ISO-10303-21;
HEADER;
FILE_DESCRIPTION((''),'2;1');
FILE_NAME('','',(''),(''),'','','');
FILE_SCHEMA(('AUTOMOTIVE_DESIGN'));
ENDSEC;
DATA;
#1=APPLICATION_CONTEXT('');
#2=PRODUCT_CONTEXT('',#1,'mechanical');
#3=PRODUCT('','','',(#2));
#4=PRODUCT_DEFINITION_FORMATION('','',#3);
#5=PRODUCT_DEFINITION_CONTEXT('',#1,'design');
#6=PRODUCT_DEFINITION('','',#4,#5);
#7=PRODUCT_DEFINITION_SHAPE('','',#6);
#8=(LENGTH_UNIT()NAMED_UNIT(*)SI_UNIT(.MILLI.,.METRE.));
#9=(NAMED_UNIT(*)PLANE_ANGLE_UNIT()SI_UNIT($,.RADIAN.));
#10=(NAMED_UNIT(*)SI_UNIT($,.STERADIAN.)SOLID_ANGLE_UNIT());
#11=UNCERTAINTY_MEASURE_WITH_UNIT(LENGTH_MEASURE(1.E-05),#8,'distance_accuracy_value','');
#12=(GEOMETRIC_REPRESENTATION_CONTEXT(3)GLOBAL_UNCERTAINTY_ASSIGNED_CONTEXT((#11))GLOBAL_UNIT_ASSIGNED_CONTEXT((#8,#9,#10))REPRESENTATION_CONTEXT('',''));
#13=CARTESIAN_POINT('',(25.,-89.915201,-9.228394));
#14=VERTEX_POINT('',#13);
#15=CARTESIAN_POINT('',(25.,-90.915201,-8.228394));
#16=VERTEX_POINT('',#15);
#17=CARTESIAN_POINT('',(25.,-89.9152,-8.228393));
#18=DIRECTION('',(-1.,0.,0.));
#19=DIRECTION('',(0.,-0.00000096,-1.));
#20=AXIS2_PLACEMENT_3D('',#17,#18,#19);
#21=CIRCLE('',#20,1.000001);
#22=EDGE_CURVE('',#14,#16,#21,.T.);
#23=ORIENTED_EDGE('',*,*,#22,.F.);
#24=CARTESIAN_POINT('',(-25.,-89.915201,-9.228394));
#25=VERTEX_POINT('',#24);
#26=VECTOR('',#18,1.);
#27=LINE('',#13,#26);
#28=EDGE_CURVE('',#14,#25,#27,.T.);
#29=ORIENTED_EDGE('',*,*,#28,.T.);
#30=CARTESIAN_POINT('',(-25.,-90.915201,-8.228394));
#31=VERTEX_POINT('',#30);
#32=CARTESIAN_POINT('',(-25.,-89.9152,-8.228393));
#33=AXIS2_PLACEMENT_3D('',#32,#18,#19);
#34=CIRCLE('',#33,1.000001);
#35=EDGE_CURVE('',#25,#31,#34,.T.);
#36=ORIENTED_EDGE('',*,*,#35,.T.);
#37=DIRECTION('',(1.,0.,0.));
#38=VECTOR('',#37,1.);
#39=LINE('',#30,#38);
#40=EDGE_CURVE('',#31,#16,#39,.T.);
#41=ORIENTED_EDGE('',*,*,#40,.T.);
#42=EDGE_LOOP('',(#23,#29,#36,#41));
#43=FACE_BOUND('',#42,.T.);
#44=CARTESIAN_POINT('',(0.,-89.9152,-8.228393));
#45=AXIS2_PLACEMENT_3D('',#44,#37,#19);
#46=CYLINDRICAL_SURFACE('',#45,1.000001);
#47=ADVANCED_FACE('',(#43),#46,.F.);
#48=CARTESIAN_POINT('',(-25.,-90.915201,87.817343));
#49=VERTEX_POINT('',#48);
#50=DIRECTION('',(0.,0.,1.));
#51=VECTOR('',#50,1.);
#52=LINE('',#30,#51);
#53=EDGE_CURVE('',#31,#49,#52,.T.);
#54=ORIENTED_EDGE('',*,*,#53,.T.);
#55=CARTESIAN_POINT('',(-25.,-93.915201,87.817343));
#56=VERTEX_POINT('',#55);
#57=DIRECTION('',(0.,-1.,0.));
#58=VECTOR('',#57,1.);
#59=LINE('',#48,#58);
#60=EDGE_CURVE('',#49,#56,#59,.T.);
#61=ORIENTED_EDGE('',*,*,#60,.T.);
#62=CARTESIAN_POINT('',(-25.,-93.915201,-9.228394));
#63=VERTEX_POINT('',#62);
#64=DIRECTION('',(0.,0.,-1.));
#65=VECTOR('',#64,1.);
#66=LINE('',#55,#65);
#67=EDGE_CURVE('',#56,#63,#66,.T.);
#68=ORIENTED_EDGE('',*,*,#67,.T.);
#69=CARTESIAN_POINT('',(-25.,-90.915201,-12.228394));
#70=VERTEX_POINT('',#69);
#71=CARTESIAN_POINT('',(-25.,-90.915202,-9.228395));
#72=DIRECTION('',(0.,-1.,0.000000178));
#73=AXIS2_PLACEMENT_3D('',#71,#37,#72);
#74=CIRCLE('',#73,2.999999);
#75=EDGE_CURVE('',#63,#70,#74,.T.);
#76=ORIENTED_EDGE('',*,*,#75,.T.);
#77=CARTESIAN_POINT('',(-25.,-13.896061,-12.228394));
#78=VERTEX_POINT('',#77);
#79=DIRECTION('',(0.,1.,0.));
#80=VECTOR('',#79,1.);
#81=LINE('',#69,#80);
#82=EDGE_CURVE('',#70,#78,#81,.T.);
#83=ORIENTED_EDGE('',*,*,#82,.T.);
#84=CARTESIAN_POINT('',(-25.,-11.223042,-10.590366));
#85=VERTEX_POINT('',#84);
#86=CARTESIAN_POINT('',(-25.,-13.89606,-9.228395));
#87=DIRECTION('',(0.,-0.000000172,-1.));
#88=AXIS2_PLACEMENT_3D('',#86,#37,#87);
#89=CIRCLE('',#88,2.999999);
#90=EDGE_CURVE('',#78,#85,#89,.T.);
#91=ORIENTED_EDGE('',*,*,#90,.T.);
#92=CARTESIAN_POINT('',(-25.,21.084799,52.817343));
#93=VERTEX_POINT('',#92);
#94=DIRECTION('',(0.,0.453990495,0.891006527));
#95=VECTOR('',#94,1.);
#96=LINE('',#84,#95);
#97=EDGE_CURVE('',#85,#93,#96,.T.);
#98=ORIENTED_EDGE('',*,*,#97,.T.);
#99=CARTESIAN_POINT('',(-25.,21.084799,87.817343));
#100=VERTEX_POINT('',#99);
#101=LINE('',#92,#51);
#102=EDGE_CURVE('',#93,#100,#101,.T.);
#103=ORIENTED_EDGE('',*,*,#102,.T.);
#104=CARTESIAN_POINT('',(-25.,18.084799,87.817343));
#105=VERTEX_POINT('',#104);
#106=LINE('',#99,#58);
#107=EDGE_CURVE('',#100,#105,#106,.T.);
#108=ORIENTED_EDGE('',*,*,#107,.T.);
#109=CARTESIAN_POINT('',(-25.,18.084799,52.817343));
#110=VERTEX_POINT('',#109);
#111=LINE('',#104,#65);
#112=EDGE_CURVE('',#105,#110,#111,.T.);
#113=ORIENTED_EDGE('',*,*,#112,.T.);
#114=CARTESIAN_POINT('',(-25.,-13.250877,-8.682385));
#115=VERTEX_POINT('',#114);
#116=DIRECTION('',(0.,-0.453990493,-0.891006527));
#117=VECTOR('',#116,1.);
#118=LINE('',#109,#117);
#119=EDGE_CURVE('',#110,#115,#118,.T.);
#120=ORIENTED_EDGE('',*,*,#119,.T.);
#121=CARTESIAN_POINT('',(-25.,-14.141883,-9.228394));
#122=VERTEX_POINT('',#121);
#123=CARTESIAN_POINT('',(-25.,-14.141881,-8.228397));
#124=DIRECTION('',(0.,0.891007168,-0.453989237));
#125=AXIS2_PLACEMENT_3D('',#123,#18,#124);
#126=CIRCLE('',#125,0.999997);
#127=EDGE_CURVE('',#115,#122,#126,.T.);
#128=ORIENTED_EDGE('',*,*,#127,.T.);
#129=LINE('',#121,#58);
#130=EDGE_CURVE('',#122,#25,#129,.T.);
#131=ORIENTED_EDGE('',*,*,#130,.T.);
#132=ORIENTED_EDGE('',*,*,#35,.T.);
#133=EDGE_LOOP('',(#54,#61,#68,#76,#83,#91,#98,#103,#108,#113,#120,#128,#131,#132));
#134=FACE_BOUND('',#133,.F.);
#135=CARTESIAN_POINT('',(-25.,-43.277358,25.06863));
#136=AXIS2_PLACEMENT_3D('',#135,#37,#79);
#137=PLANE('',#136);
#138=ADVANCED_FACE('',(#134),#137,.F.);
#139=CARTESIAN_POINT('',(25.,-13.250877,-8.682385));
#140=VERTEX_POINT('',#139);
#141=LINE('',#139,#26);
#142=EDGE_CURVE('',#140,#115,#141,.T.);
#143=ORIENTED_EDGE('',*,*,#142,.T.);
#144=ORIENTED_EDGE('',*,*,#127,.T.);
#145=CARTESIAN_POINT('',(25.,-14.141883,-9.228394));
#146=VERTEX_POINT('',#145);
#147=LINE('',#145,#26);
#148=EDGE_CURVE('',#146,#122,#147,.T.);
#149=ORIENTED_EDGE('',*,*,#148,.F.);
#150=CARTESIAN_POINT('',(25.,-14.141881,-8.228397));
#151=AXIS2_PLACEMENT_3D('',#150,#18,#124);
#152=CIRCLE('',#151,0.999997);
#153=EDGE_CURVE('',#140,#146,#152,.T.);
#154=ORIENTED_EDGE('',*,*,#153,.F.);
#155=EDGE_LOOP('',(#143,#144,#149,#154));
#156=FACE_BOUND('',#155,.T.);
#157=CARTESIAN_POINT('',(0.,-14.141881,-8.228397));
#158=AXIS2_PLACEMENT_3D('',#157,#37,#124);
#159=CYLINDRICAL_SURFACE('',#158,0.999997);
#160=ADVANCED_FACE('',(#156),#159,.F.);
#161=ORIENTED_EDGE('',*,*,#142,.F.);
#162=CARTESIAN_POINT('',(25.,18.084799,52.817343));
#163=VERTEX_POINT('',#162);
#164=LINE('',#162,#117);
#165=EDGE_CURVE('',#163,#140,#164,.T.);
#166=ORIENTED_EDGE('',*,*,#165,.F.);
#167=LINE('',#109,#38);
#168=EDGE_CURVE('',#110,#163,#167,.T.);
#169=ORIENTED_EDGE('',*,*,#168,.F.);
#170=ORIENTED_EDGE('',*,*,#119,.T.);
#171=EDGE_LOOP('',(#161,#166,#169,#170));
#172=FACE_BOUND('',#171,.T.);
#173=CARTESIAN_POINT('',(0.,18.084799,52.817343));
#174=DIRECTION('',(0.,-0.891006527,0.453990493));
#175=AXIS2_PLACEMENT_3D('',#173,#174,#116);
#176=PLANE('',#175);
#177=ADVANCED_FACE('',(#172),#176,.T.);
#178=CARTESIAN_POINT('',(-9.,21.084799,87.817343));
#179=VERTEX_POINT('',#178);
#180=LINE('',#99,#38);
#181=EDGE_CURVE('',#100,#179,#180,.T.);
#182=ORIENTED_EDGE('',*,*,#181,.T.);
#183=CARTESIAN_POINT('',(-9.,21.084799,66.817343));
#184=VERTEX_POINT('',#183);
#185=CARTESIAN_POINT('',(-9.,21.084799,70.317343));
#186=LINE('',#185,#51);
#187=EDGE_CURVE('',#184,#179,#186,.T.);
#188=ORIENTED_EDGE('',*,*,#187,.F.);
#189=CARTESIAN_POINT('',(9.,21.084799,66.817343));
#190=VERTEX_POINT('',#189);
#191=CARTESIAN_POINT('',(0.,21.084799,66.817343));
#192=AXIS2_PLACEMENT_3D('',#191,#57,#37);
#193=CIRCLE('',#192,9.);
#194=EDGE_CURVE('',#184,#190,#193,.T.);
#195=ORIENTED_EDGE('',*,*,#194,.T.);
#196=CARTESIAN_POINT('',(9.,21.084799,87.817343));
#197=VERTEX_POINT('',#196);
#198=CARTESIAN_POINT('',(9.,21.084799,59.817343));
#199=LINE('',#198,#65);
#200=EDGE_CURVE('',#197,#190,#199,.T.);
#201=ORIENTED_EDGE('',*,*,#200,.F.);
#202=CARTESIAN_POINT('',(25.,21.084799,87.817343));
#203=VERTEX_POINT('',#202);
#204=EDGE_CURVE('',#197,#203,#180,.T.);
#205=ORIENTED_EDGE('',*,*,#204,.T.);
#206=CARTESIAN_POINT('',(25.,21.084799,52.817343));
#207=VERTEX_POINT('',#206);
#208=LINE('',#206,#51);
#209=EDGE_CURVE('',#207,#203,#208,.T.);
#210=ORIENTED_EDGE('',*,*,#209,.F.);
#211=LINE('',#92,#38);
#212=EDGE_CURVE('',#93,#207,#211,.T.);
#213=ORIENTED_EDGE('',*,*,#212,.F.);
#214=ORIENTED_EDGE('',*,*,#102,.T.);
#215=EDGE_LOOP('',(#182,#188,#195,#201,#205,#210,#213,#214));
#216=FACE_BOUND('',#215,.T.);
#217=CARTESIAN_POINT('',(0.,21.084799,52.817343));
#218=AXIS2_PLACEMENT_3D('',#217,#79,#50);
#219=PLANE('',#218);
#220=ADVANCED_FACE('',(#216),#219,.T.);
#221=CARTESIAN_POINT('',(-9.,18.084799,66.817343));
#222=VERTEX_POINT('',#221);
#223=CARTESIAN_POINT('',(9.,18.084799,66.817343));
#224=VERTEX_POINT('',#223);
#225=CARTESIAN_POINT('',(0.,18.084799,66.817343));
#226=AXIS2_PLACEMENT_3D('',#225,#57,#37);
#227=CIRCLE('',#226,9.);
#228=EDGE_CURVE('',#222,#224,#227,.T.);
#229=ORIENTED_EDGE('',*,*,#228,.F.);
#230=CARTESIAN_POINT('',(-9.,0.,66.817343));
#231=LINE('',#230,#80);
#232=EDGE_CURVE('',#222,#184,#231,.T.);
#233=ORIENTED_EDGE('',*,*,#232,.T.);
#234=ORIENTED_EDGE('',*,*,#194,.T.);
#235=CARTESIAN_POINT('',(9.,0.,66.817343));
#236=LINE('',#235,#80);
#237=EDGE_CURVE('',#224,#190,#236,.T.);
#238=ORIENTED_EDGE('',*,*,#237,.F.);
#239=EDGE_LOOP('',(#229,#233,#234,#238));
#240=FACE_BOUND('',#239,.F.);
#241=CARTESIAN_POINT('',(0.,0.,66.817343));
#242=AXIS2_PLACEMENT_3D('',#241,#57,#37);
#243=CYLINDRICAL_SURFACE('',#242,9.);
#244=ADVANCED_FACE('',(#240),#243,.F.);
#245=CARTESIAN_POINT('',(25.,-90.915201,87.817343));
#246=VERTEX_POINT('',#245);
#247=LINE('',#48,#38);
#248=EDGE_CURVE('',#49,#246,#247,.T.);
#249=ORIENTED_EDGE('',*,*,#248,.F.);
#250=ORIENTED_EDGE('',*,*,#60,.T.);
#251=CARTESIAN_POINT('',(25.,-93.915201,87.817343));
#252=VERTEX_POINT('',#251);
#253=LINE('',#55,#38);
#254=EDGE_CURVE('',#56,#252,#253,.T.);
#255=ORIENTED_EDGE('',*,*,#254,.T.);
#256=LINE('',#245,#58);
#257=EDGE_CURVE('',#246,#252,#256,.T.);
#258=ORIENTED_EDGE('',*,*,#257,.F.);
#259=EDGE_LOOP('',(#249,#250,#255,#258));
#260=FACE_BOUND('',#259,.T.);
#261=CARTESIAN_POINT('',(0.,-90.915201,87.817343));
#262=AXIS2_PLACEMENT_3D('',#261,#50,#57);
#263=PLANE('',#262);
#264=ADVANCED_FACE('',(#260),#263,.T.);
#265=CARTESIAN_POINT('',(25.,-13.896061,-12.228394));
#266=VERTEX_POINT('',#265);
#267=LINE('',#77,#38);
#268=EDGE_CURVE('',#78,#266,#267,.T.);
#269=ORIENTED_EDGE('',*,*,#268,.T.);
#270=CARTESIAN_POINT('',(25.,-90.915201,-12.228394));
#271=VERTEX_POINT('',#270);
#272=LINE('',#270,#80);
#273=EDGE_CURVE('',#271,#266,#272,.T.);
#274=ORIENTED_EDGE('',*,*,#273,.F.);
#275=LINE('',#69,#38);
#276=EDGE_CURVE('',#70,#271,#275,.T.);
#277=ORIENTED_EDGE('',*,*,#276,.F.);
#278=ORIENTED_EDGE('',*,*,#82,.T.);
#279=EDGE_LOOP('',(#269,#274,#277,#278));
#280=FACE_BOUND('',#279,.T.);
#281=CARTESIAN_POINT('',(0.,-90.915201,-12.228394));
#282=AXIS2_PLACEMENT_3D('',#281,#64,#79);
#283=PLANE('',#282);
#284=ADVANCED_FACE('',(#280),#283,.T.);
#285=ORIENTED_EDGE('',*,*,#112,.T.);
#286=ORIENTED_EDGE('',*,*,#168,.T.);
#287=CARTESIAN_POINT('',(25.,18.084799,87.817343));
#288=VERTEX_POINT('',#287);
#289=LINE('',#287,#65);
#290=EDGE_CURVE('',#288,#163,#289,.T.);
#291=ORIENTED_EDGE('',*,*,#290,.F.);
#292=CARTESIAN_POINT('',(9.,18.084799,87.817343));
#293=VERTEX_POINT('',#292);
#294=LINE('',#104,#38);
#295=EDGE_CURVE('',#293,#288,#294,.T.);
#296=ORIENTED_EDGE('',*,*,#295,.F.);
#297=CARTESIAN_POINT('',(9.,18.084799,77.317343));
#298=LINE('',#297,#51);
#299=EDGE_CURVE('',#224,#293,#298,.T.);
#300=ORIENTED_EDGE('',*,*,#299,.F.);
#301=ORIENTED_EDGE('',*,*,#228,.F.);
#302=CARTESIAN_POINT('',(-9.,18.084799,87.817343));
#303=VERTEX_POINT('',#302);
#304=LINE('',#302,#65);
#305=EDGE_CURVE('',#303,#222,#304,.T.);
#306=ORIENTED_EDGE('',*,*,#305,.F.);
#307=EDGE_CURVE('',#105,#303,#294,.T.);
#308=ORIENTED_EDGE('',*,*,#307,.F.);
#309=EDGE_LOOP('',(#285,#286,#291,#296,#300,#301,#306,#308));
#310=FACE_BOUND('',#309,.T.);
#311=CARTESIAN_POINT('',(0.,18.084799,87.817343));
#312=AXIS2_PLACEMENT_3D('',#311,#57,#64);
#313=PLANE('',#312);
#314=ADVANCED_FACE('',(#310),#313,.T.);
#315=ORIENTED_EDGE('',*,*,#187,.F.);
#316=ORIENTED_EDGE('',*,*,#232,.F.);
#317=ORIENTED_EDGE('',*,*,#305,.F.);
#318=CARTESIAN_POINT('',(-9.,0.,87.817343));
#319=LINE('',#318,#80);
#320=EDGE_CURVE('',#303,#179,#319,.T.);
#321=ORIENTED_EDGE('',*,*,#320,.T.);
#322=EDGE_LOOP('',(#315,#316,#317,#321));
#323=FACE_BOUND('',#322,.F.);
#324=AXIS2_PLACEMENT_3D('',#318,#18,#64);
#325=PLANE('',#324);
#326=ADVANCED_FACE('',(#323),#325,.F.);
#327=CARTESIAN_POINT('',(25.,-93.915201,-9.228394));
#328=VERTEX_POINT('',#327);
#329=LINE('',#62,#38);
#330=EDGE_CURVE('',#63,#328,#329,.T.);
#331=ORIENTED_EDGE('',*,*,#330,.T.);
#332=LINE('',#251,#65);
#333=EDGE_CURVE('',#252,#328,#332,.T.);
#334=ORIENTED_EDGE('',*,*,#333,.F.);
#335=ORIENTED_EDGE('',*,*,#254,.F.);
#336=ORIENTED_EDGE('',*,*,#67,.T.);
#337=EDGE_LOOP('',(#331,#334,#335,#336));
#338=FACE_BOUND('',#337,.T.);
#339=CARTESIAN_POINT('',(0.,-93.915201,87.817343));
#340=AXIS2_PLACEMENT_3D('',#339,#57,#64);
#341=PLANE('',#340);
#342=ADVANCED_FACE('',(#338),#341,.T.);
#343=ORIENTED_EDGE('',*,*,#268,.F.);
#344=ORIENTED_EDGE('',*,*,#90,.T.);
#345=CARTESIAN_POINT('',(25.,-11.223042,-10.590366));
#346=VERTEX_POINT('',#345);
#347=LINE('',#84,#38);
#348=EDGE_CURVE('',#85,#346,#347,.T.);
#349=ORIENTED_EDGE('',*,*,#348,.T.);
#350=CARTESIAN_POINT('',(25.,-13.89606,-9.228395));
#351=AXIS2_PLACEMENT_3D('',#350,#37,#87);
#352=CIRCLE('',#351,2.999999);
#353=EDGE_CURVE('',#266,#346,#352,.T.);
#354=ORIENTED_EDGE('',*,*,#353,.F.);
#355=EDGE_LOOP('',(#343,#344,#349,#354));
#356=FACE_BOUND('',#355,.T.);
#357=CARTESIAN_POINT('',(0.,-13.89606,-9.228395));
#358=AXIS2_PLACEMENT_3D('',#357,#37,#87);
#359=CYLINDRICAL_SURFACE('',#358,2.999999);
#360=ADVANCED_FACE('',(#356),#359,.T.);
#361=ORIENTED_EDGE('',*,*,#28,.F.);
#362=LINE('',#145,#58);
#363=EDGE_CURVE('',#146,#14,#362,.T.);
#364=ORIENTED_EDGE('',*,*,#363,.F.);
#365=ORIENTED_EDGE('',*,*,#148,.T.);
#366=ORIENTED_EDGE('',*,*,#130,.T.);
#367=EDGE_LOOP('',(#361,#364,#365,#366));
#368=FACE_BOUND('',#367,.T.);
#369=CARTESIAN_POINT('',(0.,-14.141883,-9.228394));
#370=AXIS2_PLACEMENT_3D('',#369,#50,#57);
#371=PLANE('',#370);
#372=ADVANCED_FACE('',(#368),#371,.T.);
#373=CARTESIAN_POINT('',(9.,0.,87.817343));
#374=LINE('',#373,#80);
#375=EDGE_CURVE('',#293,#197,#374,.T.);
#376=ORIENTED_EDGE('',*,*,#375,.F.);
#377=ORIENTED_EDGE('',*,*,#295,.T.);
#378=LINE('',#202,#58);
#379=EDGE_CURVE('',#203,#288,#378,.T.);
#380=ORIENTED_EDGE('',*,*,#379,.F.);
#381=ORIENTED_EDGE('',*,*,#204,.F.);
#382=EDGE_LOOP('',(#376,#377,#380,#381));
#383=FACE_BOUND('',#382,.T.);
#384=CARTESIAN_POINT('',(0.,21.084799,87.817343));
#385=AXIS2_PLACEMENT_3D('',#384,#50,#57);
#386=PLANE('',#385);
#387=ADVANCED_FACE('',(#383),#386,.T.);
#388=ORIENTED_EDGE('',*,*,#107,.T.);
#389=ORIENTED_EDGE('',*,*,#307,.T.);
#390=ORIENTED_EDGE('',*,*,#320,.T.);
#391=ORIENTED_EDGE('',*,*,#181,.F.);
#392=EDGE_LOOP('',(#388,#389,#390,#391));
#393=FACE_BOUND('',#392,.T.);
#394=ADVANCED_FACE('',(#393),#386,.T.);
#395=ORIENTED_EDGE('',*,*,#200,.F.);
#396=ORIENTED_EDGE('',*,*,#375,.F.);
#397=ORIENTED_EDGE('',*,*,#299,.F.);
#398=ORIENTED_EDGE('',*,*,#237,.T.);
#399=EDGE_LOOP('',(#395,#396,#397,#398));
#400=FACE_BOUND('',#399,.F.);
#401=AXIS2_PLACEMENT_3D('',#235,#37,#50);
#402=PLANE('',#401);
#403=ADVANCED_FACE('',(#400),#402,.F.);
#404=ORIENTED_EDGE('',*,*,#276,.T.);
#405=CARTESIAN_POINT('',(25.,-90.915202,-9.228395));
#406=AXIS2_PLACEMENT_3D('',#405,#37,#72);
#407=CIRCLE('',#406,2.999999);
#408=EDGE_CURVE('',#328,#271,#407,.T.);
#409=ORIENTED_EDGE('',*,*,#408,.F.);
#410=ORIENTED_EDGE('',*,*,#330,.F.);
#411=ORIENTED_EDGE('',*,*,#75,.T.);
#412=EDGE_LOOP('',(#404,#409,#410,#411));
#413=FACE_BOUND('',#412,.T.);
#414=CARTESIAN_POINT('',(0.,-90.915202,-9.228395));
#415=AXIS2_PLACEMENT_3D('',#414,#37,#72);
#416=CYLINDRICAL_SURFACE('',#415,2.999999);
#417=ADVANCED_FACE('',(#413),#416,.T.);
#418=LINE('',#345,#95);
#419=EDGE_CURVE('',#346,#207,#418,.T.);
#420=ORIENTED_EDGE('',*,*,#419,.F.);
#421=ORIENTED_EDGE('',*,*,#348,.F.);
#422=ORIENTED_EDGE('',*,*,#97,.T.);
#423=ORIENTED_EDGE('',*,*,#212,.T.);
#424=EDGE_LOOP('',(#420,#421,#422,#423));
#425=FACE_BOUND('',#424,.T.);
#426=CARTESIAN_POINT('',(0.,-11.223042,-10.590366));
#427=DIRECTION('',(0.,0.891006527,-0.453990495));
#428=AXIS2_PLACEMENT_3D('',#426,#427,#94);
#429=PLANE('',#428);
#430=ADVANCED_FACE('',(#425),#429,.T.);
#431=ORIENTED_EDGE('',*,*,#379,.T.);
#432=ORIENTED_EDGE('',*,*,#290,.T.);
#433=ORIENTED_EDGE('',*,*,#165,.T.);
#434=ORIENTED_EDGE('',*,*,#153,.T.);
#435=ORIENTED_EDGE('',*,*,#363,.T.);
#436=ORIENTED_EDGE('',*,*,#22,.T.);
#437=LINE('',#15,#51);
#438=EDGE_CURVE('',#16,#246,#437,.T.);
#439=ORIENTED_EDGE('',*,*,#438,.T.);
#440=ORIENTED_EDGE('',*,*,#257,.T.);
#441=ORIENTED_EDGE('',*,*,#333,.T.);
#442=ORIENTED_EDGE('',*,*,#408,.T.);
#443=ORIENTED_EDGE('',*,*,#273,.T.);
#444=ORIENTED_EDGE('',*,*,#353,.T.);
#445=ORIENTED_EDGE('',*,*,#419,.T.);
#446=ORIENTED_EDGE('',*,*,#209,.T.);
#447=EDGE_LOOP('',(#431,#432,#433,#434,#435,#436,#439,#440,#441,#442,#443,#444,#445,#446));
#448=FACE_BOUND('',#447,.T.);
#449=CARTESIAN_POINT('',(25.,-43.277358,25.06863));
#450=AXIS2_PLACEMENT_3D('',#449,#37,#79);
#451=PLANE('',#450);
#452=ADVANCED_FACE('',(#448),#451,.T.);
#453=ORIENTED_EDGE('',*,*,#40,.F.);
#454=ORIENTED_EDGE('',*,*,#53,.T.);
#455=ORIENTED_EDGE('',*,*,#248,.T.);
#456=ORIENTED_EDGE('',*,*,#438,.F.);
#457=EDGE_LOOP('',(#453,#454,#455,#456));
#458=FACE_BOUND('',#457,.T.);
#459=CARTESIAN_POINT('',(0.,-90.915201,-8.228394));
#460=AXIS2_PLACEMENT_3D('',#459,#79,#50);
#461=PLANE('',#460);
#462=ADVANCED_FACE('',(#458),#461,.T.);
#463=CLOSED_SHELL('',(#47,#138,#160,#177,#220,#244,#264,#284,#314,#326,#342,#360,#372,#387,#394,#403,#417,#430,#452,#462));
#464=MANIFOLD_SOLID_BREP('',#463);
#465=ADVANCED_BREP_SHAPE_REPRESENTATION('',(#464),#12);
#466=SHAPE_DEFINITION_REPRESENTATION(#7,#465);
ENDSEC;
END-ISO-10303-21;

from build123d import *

# Parameters (mm, degrees)
F2_DEPTH = 25
F3_DEPTH = 25


with BuildPart() as f2:
    # F1 (on Right) → F2 (new body, symmetric)
    with BuildSketch(Plane.YZ):
        with BuildLine():
            ThreePointArc((-89.915201, -9.228394), (-90.622307, -8.935501), (-90.915201, -8.228394))
            Line((-90.915201, -8.228394), (-90.915201, 87.817343))
            Line((-90.915201, 87.817343), (-93.915201, 87.817343))
            Line((-93.915201, 87.817343), (-93.915201, -9.228394))
            ThreePointArc((-93.915201, -9.228394), (-93.036521, -11.349715), (-90.915201, -12.228394))
            Line((-90.915201, -12.228394), (-13.896061, -12.228394))
            ThreePointArc((-13.896061, -12.228394), (-12.328566, -11.786315), (-11.223042, -10.590366))
            Line((-11.223042, -10.590366), (21.084799, 52.817343))
            Line((21.084799, 52.817343), (21.084799, 87.817343))
            Line((21.084799, 87.817343), (18.084799, 87.817343))
            Line((18.084799, 87.817343), (18.084799, 52.817343))
            Line((18.084799, 52.817343), (-13.250877, -8.682385))
            ThreePointArc((-13.250877, -8.682385), (-13.619385, -9.081035), (-14.141883, -9.228394))
            Line((-14.141883, -9.228394), (-89.915201, -9.228394))
        make_face()
    extrude(amount=F2_DEPTH, both=True)

    # F0 (on Front) → F3 (cut)
    with BuildSketch(Plane.XZ):
        with BuildLine():
            ThreePointArc((-9, 66.817343), (0, 57.817343), (9, 66.817343))
            ThreePointArc((9, 66.817343), (0, 75.817343), (-9, 66.817343))
        make_face()
        with BuildLine():
            Line((9, 66.817343), (9, 87.817343))
            Line((9, 87.817343), (-9, 87.817343))
            Line((-9, 87.817343), (-9, 66.817343))
            ThreePointArc((-9, 66.817343), (0, 75.817343), (9, 66.817343))
        make_face()
    extrude(amount=-F3_DEPTH, mode=Mode.SUBTRACT)


solid = f2.part
